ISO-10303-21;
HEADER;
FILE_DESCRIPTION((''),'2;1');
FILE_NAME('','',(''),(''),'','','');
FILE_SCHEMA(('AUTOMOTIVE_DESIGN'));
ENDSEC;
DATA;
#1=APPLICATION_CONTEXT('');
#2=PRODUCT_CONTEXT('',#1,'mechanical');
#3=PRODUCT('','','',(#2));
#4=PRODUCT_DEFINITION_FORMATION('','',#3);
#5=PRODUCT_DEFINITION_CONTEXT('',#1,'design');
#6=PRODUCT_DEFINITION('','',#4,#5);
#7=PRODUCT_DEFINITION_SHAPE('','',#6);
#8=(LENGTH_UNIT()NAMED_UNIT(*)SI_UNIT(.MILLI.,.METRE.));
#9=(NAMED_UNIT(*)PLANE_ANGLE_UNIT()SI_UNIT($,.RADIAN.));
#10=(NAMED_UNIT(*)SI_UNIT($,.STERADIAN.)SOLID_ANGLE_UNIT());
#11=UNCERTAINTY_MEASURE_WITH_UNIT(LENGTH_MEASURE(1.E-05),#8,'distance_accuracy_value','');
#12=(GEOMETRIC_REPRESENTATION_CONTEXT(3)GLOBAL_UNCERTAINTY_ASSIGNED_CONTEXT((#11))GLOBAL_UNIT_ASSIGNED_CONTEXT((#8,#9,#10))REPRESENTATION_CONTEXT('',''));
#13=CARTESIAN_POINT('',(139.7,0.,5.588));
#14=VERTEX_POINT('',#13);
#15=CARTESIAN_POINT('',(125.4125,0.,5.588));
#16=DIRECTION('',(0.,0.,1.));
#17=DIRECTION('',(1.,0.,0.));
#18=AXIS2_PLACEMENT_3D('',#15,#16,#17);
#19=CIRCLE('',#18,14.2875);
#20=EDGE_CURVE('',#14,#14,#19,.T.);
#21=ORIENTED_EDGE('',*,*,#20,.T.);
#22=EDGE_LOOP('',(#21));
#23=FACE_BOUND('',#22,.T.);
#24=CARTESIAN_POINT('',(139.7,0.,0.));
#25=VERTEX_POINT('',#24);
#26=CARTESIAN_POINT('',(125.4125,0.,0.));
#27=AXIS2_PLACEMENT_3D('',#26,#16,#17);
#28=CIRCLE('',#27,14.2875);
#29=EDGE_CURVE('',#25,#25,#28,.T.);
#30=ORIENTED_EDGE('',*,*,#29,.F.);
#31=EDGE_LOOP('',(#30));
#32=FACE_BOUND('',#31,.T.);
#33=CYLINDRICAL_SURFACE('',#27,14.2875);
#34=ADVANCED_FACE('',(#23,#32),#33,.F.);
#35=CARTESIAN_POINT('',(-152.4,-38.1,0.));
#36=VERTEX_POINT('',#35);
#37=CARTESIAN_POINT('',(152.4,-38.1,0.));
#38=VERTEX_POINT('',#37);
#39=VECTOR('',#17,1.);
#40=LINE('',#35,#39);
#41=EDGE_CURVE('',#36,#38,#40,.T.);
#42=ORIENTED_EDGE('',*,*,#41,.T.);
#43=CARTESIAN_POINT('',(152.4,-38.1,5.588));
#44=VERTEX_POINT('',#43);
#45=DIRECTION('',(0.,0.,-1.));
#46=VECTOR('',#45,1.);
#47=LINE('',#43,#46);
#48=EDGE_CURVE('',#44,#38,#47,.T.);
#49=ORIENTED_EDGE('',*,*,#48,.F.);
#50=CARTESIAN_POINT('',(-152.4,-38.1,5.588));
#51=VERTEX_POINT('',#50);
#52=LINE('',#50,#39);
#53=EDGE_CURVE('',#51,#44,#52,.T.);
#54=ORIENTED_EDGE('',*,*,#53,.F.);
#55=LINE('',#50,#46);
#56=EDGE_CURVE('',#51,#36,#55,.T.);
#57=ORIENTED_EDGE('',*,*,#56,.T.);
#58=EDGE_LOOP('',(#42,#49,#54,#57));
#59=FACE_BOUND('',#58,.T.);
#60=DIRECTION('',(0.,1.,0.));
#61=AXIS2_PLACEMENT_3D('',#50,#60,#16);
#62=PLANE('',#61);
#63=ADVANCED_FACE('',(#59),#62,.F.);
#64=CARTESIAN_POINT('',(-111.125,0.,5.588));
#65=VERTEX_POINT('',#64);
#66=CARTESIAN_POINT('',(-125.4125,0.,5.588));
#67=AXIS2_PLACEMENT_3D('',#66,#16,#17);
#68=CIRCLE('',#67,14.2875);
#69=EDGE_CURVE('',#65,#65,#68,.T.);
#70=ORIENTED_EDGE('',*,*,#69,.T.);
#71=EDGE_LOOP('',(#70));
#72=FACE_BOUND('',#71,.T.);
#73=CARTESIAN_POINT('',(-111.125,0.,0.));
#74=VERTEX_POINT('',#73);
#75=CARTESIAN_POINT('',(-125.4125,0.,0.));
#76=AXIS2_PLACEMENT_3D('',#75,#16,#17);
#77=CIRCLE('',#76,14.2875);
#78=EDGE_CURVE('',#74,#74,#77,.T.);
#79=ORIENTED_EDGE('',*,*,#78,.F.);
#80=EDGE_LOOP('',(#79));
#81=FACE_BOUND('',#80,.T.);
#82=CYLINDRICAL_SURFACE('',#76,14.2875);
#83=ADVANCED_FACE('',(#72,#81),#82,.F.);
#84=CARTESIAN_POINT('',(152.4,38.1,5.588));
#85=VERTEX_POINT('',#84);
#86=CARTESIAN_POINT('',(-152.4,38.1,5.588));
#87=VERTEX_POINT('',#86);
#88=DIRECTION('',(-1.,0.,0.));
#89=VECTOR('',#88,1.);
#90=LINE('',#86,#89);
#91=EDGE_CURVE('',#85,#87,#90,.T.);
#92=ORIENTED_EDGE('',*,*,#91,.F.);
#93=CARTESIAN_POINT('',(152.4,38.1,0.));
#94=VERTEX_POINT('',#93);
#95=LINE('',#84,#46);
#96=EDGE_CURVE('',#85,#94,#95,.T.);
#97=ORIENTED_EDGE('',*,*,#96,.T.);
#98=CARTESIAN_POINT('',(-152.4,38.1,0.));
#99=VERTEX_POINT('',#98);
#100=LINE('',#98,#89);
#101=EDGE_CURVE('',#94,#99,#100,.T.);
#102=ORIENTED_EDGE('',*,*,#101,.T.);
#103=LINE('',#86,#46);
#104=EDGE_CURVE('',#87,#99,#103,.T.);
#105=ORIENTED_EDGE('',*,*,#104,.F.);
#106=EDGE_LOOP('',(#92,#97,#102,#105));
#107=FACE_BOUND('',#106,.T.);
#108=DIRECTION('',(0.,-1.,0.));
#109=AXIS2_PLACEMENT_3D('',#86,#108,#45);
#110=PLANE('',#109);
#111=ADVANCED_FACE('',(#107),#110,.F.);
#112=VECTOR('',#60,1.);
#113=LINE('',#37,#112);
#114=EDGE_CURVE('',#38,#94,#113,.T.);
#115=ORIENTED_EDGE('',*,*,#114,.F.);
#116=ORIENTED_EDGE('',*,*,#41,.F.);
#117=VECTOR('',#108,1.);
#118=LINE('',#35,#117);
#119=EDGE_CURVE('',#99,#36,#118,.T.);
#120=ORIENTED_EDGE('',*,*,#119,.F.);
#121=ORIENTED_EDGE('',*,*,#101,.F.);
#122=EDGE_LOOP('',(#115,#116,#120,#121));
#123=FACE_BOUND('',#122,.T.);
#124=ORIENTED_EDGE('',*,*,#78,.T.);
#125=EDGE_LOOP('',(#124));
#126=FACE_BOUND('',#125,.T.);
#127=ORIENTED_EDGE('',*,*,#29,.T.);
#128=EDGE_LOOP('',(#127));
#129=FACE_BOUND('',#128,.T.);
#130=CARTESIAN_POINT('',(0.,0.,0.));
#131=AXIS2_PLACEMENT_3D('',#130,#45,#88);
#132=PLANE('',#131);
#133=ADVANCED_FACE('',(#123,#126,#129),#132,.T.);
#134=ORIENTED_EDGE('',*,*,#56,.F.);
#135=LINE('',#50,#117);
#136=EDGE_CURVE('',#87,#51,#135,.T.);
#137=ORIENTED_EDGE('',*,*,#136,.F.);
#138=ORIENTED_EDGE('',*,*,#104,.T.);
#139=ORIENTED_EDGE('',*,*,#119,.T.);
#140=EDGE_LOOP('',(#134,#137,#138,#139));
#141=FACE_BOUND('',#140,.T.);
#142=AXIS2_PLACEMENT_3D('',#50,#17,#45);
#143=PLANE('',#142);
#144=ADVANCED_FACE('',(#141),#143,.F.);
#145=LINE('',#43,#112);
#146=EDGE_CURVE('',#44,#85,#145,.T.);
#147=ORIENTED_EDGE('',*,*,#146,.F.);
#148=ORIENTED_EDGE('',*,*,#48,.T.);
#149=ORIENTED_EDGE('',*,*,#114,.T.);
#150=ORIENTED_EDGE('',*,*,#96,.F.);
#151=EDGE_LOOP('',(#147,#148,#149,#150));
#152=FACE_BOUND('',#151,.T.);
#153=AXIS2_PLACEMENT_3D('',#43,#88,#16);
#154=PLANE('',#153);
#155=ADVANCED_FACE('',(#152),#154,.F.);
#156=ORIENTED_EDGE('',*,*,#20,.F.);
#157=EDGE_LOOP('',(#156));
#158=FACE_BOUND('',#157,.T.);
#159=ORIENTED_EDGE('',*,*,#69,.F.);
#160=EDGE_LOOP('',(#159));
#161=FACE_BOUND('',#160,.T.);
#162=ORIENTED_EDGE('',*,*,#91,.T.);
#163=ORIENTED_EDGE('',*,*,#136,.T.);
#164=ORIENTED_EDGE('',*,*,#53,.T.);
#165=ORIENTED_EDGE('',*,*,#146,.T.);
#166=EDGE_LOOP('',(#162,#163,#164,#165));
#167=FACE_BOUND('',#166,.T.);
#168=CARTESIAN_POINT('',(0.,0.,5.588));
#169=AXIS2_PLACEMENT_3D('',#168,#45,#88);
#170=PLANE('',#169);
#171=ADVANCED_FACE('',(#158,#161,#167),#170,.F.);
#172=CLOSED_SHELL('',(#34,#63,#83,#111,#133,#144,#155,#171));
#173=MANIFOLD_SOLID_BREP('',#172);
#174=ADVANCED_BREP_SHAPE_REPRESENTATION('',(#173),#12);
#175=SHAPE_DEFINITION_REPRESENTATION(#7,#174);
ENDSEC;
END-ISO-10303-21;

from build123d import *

# Parameters (mm, degrees)
SKETCH1_W           = 304.8
SKETCH1_H           = 76.2
BOSS_EXTRUDE1_DEPTH = 5.588
SKETCH2_R           = 14.2875
CUT_EXTRUDE1_DEPTH  = 158.189680781


with BuildPart() as part:
    # Sketch1 → Boss-Extrude1 (new body)
    with BuildSketch(Plane.XY):
        Rectangle(SKETCH1_W, SKETCH1_H)
    extrude(amount=BOSS_EXTRUDE1_DEPTH)

    # Sketch2 → Cut-Extrude1 (cut, through all)
    with BuildSketch(Plane.XY.offset(5.588)):
        with Locations((-125.4125, 0)):
            Circle(SKETCH2_R)
        with Locations((125.4125, 0)):
            Circle(SKETCH2_R)
    extrude(amount=-CUT_EXTRUDE1_DEPTH, mode=Mode.SUBTRACT)


solid = part.part
